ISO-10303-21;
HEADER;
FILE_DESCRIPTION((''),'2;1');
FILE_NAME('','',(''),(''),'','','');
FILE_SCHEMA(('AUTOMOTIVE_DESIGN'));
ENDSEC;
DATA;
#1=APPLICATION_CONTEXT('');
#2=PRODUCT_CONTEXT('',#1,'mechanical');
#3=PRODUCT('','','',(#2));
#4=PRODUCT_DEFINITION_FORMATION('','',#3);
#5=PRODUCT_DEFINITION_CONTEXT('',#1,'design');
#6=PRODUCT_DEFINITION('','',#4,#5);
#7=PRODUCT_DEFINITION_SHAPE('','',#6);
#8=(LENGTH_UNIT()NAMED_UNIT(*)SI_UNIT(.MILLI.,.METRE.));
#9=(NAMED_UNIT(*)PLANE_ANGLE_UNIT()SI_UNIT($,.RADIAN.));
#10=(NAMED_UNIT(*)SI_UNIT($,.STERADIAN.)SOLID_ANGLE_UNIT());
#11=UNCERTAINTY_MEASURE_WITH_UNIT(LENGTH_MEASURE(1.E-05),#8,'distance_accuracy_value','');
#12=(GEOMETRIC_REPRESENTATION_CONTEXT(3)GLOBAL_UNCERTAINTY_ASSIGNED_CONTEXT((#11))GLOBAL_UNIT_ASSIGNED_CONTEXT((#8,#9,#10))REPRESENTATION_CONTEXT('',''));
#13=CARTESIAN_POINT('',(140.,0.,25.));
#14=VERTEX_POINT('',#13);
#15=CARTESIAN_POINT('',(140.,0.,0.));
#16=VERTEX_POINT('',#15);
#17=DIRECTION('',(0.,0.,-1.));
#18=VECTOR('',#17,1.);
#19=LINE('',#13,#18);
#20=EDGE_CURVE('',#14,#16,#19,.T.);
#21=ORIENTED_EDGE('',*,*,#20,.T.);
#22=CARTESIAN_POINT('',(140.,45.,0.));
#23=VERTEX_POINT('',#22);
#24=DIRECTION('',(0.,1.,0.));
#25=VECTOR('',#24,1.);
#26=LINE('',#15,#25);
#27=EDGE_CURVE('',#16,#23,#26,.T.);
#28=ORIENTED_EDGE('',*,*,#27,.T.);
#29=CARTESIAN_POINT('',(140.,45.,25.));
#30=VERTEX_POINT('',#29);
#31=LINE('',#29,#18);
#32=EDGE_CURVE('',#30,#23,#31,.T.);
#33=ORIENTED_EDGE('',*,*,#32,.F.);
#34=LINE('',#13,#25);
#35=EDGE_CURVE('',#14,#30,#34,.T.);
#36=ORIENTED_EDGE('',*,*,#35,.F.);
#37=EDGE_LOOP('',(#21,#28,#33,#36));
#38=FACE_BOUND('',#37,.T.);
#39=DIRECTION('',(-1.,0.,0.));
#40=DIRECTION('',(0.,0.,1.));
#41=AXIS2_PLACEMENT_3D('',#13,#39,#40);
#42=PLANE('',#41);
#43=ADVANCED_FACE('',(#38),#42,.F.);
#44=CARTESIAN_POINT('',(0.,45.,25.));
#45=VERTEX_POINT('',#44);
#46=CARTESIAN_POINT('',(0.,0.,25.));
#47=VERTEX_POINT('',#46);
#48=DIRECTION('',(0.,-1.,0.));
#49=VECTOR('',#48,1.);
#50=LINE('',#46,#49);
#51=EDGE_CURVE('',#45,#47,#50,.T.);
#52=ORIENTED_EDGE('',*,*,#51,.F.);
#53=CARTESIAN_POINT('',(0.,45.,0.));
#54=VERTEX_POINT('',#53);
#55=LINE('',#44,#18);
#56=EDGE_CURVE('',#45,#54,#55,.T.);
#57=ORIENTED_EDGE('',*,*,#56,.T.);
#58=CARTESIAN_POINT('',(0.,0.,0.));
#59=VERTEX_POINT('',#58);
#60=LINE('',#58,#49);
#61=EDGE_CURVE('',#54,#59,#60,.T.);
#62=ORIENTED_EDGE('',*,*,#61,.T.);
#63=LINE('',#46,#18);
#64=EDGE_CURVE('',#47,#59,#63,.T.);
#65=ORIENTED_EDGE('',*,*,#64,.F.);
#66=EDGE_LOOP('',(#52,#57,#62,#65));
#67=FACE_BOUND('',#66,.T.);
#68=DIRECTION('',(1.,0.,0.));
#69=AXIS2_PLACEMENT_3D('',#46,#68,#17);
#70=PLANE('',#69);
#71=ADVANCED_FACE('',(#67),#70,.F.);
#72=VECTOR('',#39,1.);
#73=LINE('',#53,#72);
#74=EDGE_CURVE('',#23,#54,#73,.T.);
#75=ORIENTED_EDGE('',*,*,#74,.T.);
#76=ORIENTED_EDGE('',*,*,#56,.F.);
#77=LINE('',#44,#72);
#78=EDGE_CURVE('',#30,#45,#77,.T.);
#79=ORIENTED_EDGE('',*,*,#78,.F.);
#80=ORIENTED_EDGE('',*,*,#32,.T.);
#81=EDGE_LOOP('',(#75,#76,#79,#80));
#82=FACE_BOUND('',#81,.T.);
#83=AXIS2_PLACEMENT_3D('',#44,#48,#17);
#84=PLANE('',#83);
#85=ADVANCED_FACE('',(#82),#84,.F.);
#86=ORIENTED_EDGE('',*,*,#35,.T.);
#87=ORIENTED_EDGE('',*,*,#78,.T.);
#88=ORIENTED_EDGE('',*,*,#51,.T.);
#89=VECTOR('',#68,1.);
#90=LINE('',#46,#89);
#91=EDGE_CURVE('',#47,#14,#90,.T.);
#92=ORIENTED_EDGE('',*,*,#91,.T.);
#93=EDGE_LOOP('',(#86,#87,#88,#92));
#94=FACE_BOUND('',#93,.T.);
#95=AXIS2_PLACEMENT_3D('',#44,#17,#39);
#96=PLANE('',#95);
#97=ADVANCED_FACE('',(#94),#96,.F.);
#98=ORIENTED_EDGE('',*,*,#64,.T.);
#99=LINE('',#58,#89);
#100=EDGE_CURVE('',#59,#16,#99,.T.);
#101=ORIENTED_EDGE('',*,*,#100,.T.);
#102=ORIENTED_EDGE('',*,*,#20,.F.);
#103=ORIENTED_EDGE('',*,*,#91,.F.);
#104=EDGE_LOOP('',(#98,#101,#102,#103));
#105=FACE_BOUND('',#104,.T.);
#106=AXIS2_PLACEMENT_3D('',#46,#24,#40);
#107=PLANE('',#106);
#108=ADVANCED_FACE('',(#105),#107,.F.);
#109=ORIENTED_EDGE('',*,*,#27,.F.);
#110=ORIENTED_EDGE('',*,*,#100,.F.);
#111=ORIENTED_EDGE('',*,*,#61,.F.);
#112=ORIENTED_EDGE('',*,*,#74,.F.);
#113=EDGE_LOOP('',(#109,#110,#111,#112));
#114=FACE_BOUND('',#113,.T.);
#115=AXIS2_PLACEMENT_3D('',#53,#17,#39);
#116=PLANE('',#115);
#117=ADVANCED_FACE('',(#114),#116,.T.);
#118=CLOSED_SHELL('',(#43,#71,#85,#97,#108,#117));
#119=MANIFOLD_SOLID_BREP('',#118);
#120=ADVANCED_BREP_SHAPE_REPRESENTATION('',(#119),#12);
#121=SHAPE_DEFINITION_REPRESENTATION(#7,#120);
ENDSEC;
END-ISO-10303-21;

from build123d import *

# Parameters (mm, degrees)
SKETCH1_W           = 140
SKETCH1_H           = 45
BOSS_EXTRUDE1_DEPTH = 25
SKETCH1_3_W         = 140
SKETCH1_3_H         = 45
BOSS_EXTRUDE2_DEPTH = 12.5


with BuildPart() as part:
    # Sketch1 → Boss-Extrude1 (new body)
    with BuildSketch(Plane.XY):
        with Locations((70, 22.5)):
            Rectangle(SKETCH1_W, SKETCH1_H)
    extrude(amount=BOSS_EXTRUDE1_DEPTH)

    # Sketch1<3> → Boss-Extrude2 (add)
    with BuildSketch(Plane.XY):
        with Locations((70, 22.5)):
            Rectangle(SKETCH1_3_W, SKETCH1_3_H)
    extrude(amount=BOSS_EXTRUDE2_DEPTH)


solid = part.part
